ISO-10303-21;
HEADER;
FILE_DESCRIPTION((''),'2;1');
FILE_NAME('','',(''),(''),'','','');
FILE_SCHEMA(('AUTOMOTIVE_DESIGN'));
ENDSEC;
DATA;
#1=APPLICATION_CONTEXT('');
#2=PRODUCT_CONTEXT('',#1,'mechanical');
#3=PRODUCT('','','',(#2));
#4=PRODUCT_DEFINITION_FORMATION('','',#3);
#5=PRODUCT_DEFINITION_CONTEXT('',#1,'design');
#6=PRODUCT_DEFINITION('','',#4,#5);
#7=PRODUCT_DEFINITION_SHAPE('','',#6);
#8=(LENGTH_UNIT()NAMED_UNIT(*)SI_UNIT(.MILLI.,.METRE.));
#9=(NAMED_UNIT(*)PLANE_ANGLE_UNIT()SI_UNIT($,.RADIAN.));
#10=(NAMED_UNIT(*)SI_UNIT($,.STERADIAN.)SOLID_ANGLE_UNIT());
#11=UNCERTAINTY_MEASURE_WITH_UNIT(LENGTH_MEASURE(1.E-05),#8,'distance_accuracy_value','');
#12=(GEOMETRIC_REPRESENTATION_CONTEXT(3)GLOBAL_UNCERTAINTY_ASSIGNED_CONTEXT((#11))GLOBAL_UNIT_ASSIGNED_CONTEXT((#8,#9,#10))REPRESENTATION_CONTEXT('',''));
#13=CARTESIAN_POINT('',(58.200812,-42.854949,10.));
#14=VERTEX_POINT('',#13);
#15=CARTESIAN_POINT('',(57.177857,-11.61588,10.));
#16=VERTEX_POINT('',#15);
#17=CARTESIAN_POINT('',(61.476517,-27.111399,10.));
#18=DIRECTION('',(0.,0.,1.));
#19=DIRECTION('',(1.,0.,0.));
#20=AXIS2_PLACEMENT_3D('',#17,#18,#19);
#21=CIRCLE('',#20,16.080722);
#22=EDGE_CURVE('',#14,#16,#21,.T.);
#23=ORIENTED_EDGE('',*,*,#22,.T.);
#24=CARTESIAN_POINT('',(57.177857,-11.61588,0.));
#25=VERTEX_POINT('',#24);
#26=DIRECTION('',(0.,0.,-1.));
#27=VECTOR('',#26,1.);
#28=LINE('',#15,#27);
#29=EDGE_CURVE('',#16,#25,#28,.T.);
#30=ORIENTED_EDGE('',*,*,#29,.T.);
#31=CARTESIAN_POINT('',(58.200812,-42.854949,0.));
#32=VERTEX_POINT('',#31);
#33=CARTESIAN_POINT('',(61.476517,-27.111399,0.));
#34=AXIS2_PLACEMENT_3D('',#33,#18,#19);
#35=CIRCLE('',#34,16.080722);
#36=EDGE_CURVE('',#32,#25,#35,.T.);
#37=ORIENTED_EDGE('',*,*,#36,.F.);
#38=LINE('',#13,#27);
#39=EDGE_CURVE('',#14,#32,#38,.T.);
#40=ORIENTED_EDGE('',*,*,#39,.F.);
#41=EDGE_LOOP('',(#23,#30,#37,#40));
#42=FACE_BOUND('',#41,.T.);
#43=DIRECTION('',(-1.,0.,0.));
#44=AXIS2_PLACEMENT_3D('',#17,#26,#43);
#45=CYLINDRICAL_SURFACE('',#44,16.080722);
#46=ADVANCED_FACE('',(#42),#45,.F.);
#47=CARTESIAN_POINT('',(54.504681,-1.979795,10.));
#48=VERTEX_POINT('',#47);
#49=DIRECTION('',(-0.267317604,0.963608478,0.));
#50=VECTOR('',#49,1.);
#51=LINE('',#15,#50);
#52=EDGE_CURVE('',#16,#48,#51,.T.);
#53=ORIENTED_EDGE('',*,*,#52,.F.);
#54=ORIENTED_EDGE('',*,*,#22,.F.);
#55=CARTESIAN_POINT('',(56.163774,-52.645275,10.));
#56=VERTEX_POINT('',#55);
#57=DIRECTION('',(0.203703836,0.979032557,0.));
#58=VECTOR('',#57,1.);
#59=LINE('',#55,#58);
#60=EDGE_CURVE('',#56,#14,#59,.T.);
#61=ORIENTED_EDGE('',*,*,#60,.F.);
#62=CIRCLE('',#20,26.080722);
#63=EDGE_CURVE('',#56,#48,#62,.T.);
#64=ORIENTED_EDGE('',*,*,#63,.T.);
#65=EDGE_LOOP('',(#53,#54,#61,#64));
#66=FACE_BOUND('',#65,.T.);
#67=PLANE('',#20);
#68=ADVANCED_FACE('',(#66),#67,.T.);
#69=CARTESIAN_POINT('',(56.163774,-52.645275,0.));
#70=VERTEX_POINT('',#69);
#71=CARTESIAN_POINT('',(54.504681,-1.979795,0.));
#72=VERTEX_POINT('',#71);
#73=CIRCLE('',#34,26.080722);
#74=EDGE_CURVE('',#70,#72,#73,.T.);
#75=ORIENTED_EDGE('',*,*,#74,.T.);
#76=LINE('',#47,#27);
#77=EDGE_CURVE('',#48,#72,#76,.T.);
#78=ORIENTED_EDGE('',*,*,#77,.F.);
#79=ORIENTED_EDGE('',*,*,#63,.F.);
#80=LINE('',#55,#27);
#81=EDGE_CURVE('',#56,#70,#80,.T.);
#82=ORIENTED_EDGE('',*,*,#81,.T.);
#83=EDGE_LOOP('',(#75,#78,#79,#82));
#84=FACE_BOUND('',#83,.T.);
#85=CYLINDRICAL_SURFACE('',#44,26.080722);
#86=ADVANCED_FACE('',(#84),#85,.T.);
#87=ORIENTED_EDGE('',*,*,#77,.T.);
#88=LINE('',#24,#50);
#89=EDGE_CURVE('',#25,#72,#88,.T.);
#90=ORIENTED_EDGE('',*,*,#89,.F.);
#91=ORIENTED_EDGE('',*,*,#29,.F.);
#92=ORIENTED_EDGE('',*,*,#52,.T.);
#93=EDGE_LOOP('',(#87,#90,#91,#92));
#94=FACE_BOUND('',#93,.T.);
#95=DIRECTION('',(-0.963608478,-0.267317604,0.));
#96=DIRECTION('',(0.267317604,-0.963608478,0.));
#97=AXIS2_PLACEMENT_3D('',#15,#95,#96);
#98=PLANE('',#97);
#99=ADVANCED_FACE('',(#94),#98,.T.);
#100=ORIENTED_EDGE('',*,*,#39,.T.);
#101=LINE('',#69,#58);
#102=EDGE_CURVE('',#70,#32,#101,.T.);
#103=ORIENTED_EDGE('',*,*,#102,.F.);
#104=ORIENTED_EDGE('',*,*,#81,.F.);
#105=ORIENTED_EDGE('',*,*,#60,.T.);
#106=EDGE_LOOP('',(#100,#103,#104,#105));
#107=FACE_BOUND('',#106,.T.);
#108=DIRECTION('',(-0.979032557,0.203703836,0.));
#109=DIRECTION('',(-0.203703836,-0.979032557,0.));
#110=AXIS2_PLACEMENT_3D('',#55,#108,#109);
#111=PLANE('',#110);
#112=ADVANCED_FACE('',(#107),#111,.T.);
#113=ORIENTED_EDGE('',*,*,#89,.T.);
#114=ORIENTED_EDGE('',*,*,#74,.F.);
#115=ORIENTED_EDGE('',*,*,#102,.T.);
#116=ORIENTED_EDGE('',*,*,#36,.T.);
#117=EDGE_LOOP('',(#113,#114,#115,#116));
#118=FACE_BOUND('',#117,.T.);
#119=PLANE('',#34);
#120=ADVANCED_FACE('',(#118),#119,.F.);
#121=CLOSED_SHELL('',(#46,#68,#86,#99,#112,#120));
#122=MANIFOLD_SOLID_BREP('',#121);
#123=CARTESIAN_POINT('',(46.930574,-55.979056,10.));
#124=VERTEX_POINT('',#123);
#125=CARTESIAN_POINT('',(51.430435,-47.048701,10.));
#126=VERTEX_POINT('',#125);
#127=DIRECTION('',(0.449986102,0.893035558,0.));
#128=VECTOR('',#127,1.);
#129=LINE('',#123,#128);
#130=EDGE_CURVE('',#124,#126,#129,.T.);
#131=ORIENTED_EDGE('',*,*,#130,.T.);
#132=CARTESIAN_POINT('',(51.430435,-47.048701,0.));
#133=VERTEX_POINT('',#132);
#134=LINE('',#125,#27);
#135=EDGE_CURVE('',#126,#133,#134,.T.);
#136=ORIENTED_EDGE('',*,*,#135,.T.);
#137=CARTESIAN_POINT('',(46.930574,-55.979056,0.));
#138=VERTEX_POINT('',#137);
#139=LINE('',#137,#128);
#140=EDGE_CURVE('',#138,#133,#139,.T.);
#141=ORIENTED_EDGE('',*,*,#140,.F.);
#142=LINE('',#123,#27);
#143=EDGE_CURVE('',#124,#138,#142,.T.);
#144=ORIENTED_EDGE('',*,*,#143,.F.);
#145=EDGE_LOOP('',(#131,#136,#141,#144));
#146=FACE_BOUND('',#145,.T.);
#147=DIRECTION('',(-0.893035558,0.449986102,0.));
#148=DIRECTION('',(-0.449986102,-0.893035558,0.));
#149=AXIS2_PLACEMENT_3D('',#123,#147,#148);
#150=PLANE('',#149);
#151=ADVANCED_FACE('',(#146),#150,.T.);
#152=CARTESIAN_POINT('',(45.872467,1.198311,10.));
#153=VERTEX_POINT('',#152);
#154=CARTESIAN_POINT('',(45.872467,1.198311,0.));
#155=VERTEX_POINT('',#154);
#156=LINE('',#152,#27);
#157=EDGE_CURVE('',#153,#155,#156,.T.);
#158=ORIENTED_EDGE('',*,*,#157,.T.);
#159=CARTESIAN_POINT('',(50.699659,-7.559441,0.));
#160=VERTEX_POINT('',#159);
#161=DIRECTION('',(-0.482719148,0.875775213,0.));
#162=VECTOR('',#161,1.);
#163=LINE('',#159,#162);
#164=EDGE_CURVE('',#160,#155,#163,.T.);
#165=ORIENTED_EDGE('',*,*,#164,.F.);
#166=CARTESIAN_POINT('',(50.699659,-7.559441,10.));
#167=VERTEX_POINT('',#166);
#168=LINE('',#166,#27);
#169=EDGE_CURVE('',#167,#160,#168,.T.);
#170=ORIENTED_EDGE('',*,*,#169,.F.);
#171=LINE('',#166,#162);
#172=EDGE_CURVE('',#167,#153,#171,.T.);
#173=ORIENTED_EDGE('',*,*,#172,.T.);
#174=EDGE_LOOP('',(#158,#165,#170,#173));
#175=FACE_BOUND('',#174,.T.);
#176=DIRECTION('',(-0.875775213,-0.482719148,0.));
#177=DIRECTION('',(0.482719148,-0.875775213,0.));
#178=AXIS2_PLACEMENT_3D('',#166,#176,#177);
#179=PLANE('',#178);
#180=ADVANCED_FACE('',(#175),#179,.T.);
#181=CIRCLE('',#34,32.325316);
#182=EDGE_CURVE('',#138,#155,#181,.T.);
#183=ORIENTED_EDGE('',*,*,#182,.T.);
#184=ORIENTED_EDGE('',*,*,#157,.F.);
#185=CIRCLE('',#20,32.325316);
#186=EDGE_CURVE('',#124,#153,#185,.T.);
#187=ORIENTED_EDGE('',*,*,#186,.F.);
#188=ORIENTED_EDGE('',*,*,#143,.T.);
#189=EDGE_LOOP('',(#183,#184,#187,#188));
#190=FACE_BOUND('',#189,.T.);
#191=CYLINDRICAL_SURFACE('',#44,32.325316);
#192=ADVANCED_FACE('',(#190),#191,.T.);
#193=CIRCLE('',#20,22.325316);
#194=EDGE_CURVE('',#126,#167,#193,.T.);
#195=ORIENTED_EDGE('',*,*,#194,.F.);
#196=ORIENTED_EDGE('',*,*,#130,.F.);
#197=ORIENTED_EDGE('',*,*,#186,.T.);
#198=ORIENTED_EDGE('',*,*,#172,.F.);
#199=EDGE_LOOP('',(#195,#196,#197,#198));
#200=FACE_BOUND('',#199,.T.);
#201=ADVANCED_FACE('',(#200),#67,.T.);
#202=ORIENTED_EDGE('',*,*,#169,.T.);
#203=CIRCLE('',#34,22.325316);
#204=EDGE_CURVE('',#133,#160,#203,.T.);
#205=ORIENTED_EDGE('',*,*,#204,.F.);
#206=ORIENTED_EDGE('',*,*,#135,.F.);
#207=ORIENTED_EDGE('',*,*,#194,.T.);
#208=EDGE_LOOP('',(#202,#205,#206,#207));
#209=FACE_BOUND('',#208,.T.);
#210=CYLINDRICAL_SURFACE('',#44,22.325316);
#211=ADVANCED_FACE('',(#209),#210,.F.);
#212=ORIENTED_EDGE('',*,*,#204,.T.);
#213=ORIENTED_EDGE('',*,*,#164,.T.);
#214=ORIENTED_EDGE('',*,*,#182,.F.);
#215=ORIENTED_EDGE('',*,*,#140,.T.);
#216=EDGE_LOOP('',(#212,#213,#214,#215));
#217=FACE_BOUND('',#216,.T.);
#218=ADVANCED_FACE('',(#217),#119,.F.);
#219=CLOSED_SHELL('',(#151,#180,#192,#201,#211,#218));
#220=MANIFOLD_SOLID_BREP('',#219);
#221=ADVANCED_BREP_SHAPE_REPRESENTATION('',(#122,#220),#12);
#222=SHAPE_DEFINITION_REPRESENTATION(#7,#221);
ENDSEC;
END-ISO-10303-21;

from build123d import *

# Parameters (mm, degrees)
EXTRUDE_THIN2_DEPTH   = 10
EXTRUDE_THIN2_2_DEPTH = 10


with BuildPart() as part:
    # Sketch4 → Extrude-Thin2 (new body)
    with BuildSketch(Plane.XY):
        with BuildLine():
            ThreePointArc((51.430434586, -47.048700863), (83.798011386, -26.698324999), (50.699658978, -7.559440665))
            Line((50.699658978, -7.559440665), (45.872467494, 1.198311466))
            ThreePointArc((45.872467494, 1.198311466), (93.796299525, -26.513299879), (46.930573562, -55.979056442))
            Line((46.930573562, -55.979056442), (51.430434586, -47.048700863))
        make_face()
    extrude(amount=EXTRUDE_THIN2_DEPTH)


with BuildPart() as body_2:
    # Sketch4 → Extrude-Thin2 2 (new body)
    with BuildSketch(Plane.XY):
        with BuildLine():
            ThreePointArc((58.200812032, -42.854949454), (77.548623594, -26.585101854), (57.177856739, -11.615879733))
            Line((57.177856739, -11.615879733), (54.504680696, -1.979794955))
            ThreePointArc((54.504680696, -1.979794955), (87.543266392, -26.257817052), (56.163773668, -52.645275021))
            Line((56.163773668, -52.645275021), (58.200812032, -42.854949454))
        make_face()
    extrude(amount=EXTRUDE_THIN2_2_DEPTH)


solid = Compound([part.part, body_2.part])
